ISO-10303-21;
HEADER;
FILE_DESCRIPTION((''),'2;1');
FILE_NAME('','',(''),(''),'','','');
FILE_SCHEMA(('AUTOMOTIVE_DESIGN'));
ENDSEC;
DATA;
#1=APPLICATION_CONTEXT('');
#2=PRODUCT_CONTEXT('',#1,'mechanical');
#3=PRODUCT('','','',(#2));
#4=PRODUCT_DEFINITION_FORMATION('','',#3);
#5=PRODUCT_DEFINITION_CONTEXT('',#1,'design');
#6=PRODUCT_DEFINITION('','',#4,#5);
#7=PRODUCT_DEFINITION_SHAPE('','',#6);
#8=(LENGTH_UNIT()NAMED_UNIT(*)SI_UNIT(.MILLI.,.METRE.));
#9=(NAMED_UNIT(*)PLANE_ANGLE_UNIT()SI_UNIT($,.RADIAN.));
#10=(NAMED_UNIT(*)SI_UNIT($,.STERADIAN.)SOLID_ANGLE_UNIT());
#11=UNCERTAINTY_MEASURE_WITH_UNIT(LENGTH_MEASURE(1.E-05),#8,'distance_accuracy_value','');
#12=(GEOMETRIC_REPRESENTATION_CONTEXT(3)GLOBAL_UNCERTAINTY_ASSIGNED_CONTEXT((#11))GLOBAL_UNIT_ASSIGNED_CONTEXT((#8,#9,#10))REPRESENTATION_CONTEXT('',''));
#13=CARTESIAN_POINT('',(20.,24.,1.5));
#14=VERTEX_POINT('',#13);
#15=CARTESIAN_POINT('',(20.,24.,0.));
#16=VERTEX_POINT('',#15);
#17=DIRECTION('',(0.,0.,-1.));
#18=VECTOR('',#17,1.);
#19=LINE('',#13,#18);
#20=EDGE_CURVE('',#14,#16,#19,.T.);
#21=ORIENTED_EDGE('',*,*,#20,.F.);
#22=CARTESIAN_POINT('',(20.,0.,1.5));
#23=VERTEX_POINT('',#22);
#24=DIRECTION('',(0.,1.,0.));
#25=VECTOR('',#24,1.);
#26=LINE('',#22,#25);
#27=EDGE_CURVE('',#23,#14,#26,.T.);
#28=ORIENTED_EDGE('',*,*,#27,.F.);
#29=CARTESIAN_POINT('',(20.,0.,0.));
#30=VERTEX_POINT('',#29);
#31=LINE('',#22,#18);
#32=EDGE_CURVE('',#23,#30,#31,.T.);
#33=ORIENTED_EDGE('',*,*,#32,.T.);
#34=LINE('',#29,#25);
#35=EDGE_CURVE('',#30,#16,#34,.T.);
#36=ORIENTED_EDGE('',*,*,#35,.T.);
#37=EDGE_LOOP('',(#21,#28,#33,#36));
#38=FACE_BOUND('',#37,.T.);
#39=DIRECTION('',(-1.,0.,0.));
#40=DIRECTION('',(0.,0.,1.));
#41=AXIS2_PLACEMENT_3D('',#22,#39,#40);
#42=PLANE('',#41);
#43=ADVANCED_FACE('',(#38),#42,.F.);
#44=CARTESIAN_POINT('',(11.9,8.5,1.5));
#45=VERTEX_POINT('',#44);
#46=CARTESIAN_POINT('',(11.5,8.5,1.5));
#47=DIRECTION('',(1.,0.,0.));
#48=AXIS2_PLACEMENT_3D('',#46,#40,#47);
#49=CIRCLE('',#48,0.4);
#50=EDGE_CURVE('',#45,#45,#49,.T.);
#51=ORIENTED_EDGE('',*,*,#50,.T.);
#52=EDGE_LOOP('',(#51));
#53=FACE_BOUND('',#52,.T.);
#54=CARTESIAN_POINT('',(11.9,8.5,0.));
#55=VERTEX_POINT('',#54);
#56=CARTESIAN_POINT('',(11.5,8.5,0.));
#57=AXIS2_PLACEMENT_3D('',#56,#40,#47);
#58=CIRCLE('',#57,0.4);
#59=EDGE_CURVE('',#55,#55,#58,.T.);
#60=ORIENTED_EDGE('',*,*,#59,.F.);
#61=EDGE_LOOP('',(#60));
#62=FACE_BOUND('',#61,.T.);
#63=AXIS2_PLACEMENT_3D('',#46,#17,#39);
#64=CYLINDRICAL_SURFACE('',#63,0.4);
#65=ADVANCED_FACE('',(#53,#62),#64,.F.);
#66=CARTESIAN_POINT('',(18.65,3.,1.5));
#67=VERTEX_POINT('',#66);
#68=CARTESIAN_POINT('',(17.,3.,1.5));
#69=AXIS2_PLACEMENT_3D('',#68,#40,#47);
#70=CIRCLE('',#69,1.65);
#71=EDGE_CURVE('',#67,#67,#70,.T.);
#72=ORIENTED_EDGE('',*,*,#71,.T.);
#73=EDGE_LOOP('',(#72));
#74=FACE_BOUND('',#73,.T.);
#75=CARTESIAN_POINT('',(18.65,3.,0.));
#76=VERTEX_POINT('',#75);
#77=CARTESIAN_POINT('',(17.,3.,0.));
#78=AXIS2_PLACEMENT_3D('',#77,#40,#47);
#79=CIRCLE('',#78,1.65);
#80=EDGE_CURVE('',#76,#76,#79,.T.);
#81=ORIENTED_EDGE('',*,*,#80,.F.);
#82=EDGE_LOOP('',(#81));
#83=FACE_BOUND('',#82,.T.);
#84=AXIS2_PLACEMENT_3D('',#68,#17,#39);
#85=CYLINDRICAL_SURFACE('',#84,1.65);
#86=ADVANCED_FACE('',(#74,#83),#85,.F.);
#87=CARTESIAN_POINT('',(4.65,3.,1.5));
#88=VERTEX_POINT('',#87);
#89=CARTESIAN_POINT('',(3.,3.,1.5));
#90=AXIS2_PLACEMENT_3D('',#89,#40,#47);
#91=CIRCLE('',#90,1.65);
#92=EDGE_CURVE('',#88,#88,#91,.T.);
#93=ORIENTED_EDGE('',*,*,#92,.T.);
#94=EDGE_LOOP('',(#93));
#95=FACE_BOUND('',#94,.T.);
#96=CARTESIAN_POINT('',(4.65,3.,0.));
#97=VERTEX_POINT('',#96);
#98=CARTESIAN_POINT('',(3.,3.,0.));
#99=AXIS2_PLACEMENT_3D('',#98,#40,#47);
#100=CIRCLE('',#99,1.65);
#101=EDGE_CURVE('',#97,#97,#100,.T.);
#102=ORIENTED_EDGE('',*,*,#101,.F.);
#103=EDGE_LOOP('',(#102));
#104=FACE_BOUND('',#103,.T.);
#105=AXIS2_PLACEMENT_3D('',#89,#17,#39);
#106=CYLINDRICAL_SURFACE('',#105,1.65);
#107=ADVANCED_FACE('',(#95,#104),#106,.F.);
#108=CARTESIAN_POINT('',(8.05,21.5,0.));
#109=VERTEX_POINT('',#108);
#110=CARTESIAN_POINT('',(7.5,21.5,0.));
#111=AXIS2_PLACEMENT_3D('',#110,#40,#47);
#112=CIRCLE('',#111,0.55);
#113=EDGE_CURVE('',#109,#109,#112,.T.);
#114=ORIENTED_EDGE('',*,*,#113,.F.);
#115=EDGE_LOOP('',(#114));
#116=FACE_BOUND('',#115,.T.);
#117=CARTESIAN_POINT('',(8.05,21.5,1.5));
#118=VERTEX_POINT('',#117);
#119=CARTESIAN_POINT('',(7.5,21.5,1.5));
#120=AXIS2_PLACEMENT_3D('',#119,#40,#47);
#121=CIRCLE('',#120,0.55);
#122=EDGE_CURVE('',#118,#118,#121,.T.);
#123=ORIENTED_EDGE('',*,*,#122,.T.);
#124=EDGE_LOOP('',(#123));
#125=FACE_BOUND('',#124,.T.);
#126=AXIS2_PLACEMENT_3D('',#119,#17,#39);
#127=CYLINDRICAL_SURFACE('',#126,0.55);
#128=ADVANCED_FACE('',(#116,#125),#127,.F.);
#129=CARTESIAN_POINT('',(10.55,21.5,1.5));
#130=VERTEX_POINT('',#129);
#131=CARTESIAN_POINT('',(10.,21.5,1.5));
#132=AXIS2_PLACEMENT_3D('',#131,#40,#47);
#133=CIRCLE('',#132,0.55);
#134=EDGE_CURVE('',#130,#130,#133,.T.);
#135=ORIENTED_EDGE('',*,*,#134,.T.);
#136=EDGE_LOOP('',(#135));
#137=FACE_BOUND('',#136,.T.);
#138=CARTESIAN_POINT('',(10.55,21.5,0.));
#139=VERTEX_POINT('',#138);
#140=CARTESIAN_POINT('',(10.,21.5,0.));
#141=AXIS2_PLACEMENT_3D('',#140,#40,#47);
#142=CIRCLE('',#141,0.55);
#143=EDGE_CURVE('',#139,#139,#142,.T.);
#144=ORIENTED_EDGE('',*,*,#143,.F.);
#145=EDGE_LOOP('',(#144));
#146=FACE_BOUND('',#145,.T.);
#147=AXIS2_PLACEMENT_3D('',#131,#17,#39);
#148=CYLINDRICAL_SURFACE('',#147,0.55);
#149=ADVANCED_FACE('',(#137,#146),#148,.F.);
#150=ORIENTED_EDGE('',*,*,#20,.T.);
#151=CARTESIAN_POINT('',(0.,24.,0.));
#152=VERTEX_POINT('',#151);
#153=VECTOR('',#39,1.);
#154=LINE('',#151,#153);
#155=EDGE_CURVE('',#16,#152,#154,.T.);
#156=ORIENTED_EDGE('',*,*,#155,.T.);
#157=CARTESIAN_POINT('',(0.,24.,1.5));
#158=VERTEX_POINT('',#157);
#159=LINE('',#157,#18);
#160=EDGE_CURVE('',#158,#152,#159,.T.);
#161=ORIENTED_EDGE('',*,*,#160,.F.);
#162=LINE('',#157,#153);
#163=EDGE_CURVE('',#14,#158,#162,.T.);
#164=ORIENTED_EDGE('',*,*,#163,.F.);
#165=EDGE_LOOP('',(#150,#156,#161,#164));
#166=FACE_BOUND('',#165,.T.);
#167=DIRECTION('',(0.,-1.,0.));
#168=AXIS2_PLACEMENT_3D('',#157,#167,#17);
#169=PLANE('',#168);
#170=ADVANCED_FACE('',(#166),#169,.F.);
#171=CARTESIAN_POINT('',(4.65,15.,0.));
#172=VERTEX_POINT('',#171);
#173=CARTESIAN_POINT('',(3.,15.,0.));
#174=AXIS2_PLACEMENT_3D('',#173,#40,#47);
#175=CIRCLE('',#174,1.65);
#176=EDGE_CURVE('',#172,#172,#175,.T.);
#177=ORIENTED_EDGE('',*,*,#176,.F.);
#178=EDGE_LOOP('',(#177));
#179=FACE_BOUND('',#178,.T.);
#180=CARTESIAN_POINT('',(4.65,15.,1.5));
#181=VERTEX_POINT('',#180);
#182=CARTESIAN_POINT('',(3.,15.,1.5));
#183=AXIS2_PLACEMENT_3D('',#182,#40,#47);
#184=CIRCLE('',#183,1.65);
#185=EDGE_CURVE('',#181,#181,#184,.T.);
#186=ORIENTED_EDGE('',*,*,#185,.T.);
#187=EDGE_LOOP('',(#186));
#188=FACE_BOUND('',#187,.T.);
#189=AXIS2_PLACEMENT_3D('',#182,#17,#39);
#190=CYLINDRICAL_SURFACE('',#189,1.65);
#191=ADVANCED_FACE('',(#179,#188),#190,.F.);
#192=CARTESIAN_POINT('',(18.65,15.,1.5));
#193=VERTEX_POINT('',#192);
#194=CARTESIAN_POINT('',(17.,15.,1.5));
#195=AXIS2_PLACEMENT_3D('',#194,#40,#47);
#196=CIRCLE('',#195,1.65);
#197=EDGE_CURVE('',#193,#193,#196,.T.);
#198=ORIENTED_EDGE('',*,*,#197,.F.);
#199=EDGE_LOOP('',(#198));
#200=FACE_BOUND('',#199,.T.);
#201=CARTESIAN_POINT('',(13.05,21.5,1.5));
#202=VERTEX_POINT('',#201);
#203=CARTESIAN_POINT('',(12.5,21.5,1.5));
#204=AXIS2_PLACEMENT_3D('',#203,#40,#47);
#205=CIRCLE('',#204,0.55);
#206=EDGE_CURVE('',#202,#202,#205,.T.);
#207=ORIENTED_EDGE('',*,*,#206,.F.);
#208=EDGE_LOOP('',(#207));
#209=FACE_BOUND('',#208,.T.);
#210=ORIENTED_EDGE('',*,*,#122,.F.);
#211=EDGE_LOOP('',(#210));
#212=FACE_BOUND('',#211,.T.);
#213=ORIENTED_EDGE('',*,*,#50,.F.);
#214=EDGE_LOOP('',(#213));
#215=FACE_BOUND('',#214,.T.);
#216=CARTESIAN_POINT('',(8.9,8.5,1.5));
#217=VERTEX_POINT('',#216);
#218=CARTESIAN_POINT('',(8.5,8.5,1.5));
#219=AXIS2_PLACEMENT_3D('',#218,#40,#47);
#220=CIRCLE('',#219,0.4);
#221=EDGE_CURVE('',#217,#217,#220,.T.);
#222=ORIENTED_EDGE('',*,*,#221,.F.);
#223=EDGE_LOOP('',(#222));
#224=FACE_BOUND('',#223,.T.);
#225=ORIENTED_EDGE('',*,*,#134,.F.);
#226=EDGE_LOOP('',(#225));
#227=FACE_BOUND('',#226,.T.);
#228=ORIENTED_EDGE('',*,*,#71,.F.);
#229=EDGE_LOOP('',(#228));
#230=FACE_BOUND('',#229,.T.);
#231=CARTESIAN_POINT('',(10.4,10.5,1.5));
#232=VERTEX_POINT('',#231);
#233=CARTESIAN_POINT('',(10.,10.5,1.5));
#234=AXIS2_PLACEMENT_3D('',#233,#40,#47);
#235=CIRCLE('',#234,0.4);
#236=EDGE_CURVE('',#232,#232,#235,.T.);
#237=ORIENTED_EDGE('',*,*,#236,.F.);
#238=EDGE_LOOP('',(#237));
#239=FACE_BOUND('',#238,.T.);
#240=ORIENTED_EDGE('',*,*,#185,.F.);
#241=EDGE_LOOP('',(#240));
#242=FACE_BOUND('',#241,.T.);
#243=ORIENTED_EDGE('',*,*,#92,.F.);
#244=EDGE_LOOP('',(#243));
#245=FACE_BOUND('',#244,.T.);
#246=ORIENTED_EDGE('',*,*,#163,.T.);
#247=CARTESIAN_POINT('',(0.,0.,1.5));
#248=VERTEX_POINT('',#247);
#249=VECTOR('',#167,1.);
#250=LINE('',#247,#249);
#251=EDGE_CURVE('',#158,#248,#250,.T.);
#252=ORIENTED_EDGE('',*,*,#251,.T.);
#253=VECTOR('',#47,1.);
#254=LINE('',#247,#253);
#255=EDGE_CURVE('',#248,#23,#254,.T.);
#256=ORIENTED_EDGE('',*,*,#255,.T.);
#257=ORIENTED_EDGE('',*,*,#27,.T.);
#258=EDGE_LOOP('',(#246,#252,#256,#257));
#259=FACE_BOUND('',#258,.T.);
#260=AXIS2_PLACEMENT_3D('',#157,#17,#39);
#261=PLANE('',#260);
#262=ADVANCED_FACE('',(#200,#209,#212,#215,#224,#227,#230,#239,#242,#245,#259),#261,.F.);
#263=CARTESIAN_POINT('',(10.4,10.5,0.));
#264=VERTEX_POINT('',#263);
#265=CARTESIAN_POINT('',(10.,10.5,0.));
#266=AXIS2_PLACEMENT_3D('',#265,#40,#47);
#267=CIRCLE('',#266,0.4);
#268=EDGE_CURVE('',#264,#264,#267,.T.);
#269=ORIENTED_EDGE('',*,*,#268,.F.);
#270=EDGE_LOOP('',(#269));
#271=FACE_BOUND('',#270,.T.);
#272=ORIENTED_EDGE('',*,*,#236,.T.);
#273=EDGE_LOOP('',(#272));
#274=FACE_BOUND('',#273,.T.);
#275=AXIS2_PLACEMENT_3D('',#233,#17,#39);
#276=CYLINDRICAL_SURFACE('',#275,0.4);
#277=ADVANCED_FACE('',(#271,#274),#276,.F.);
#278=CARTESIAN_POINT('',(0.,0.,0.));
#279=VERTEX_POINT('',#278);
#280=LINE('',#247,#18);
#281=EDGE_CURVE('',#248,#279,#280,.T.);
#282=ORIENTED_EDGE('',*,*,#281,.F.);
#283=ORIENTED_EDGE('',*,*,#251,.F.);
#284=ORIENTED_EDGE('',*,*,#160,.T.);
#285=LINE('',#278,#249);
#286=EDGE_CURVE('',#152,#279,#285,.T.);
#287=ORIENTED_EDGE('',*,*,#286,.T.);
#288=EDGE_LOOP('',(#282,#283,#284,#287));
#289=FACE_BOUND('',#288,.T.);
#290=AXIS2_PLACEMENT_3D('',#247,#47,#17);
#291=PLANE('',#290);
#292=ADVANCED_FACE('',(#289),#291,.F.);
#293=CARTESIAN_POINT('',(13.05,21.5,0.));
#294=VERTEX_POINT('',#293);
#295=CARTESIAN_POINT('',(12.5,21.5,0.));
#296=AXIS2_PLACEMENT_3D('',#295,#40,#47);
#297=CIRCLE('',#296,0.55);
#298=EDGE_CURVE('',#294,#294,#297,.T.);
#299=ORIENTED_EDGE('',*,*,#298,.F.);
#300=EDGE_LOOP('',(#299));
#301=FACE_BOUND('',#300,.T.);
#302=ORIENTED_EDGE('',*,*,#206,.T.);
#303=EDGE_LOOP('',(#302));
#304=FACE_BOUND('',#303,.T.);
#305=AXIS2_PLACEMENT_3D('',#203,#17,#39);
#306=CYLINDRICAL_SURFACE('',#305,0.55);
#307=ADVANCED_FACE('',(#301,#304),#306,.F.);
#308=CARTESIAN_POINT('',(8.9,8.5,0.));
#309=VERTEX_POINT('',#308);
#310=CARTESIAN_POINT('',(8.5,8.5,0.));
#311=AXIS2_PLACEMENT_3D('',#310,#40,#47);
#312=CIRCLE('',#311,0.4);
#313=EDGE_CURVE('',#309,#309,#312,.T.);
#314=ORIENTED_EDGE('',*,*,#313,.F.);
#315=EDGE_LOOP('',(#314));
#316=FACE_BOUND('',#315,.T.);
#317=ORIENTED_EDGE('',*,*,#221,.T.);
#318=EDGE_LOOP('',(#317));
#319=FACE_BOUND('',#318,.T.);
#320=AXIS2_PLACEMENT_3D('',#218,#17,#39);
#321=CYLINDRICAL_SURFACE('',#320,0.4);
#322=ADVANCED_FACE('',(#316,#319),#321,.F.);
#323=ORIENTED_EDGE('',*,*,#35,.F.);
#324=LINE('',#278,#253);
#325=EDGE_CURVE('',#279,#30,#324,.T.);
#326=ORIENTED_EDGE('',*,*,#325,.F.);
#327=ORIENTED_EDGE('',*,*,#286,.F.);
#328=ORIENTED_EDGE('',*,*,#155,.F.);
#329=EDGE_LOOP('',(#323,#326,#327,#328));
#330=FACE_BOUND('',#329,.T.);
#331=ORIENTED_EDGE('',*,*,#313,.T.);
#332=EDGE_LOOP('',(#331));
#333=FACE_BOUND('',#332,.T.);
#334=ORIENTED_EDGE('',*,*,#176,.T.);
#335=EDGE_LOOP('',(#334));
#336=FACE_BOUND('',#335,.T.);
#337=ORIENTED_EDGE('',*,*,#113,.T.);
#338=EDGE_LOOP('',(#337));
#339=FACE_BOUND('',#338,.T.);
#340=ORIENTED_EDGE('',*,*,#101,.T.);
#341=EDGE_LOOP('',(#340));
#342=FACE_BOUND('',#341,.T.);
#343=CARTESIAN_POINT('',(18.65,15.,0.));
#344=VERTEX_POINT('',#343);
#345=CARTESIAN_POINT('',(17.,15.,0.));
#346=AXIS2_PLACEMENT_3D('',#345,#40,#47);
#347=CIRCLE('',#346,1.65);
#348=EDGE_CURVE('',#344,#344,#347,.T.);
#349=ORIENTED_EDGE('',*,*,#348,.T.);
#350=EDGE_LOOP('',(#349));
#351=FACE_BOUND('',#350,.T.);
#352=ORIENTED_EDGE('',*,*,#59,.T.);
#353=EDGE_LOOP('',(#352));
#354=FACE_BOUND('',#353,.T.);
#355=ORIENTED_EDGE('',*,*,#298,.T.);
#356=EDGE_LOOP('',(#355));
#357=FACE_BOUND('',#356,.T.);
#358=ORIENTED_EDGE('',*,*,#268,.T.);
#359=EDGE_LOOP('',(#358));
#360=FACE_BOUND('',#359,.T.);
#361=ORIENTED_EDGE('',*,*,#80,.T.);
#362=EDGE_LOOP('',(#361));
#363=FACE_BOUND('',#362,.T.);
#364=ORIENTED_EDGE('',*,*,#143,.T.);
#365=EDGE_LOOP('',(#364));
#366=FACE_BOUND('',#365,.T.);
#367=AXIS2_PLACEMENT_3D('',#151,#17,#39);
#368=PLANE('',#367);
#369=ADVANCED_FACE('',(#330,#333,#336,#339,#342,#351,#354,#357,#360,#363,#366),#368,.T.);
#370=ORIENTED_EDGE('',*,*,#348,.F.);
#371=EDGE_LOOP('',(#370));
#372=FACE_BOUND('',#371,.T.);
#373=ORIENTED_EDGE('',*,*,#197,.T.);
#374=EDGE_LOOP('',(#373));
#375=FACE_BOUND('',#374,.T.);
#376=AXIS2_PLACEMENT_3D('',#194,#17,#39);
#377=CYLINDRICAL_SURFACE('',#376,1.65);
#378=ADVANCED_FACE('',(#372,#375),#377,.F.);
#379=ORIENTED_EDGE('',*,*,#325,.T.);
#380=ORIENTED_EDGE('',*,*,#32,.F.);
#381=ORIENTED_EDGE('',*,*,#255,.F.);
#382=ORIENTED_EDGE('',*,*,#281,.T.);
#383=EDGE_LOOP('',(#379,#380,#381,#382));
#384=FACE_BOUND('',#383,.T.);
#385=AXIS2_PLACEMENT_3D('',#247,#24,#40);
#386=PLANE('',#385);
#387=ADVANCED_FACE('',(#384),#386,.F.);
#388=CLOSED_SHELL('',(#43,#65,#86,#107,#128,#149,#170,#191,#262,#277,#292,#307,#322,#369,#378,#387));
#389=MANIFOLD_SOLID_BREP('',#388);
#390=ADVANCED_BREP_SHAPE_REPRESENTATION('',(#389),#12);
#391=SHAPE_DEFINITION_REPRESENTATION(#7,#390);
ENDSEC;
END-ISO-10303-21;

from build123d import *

# Parameters (mm, degrees)
SKETCH_1_W      = 20
SKETCH_1_H      = 24
SKETCH_1_R      = 1.65
SKETCH_1_R_2    = 0.55
SKETCH_1_R_3    = 0.4
EXTRUDE_1_DEPTH = 1.5


with BuildPart() as part:
    # Эскиз1 → Бобышка-Вытянуть1 (new body)
    with BuildSketch(Plane.XY):
        with Locations((10, 12)):
            Rectangle(SKETCH_1_W, SKETCH_1_H)
        with Locations((3, 3)):
            Circle(SKETCH_1_R, mode=Mode.SUBTRACT)
        with Locations((17, 3)):
            Circle(SKETCH_1_R, mode=Mode.SUBTRACT)
        with Locations((17, 15)):
            Circle(SKETCH_1_R, mode=Mode.SUBTRACT)
        with Locations((3, 15)):
            Circle(SKETCH_1_R, mode=Mode.SUBTRACT)
        with Locations((7.5, 21.5)):
            Circle(SKETCH_1_R_2, mode=Mode.SUBTRACT)
        with Locations((10, 21.5)):
            Circle(SKETCH_1_R_2, mode=Mode.SUBTRACT)
        with Locations((12.5, 21.5)):
            Circle(SKETCH_1_R_2, mode=Mode.SUBTRACT)
        with Locations((10, 10.5)):
            Circle(SKETCH_1_R_3, mode=Mode.SUBTRACT)
        with Locations((11.5, 8.5)):
            Circle(SKETCH_1_R_3, mode=Mode.SUBTRACT)
        with Locations((8.5, 8.5)):
            Circle(SKETCH_1_R_3, mode=Mode.SUBTRACT)
    extrude(amount=EXTRUDE_1_DEPTH)


solid = part.part
